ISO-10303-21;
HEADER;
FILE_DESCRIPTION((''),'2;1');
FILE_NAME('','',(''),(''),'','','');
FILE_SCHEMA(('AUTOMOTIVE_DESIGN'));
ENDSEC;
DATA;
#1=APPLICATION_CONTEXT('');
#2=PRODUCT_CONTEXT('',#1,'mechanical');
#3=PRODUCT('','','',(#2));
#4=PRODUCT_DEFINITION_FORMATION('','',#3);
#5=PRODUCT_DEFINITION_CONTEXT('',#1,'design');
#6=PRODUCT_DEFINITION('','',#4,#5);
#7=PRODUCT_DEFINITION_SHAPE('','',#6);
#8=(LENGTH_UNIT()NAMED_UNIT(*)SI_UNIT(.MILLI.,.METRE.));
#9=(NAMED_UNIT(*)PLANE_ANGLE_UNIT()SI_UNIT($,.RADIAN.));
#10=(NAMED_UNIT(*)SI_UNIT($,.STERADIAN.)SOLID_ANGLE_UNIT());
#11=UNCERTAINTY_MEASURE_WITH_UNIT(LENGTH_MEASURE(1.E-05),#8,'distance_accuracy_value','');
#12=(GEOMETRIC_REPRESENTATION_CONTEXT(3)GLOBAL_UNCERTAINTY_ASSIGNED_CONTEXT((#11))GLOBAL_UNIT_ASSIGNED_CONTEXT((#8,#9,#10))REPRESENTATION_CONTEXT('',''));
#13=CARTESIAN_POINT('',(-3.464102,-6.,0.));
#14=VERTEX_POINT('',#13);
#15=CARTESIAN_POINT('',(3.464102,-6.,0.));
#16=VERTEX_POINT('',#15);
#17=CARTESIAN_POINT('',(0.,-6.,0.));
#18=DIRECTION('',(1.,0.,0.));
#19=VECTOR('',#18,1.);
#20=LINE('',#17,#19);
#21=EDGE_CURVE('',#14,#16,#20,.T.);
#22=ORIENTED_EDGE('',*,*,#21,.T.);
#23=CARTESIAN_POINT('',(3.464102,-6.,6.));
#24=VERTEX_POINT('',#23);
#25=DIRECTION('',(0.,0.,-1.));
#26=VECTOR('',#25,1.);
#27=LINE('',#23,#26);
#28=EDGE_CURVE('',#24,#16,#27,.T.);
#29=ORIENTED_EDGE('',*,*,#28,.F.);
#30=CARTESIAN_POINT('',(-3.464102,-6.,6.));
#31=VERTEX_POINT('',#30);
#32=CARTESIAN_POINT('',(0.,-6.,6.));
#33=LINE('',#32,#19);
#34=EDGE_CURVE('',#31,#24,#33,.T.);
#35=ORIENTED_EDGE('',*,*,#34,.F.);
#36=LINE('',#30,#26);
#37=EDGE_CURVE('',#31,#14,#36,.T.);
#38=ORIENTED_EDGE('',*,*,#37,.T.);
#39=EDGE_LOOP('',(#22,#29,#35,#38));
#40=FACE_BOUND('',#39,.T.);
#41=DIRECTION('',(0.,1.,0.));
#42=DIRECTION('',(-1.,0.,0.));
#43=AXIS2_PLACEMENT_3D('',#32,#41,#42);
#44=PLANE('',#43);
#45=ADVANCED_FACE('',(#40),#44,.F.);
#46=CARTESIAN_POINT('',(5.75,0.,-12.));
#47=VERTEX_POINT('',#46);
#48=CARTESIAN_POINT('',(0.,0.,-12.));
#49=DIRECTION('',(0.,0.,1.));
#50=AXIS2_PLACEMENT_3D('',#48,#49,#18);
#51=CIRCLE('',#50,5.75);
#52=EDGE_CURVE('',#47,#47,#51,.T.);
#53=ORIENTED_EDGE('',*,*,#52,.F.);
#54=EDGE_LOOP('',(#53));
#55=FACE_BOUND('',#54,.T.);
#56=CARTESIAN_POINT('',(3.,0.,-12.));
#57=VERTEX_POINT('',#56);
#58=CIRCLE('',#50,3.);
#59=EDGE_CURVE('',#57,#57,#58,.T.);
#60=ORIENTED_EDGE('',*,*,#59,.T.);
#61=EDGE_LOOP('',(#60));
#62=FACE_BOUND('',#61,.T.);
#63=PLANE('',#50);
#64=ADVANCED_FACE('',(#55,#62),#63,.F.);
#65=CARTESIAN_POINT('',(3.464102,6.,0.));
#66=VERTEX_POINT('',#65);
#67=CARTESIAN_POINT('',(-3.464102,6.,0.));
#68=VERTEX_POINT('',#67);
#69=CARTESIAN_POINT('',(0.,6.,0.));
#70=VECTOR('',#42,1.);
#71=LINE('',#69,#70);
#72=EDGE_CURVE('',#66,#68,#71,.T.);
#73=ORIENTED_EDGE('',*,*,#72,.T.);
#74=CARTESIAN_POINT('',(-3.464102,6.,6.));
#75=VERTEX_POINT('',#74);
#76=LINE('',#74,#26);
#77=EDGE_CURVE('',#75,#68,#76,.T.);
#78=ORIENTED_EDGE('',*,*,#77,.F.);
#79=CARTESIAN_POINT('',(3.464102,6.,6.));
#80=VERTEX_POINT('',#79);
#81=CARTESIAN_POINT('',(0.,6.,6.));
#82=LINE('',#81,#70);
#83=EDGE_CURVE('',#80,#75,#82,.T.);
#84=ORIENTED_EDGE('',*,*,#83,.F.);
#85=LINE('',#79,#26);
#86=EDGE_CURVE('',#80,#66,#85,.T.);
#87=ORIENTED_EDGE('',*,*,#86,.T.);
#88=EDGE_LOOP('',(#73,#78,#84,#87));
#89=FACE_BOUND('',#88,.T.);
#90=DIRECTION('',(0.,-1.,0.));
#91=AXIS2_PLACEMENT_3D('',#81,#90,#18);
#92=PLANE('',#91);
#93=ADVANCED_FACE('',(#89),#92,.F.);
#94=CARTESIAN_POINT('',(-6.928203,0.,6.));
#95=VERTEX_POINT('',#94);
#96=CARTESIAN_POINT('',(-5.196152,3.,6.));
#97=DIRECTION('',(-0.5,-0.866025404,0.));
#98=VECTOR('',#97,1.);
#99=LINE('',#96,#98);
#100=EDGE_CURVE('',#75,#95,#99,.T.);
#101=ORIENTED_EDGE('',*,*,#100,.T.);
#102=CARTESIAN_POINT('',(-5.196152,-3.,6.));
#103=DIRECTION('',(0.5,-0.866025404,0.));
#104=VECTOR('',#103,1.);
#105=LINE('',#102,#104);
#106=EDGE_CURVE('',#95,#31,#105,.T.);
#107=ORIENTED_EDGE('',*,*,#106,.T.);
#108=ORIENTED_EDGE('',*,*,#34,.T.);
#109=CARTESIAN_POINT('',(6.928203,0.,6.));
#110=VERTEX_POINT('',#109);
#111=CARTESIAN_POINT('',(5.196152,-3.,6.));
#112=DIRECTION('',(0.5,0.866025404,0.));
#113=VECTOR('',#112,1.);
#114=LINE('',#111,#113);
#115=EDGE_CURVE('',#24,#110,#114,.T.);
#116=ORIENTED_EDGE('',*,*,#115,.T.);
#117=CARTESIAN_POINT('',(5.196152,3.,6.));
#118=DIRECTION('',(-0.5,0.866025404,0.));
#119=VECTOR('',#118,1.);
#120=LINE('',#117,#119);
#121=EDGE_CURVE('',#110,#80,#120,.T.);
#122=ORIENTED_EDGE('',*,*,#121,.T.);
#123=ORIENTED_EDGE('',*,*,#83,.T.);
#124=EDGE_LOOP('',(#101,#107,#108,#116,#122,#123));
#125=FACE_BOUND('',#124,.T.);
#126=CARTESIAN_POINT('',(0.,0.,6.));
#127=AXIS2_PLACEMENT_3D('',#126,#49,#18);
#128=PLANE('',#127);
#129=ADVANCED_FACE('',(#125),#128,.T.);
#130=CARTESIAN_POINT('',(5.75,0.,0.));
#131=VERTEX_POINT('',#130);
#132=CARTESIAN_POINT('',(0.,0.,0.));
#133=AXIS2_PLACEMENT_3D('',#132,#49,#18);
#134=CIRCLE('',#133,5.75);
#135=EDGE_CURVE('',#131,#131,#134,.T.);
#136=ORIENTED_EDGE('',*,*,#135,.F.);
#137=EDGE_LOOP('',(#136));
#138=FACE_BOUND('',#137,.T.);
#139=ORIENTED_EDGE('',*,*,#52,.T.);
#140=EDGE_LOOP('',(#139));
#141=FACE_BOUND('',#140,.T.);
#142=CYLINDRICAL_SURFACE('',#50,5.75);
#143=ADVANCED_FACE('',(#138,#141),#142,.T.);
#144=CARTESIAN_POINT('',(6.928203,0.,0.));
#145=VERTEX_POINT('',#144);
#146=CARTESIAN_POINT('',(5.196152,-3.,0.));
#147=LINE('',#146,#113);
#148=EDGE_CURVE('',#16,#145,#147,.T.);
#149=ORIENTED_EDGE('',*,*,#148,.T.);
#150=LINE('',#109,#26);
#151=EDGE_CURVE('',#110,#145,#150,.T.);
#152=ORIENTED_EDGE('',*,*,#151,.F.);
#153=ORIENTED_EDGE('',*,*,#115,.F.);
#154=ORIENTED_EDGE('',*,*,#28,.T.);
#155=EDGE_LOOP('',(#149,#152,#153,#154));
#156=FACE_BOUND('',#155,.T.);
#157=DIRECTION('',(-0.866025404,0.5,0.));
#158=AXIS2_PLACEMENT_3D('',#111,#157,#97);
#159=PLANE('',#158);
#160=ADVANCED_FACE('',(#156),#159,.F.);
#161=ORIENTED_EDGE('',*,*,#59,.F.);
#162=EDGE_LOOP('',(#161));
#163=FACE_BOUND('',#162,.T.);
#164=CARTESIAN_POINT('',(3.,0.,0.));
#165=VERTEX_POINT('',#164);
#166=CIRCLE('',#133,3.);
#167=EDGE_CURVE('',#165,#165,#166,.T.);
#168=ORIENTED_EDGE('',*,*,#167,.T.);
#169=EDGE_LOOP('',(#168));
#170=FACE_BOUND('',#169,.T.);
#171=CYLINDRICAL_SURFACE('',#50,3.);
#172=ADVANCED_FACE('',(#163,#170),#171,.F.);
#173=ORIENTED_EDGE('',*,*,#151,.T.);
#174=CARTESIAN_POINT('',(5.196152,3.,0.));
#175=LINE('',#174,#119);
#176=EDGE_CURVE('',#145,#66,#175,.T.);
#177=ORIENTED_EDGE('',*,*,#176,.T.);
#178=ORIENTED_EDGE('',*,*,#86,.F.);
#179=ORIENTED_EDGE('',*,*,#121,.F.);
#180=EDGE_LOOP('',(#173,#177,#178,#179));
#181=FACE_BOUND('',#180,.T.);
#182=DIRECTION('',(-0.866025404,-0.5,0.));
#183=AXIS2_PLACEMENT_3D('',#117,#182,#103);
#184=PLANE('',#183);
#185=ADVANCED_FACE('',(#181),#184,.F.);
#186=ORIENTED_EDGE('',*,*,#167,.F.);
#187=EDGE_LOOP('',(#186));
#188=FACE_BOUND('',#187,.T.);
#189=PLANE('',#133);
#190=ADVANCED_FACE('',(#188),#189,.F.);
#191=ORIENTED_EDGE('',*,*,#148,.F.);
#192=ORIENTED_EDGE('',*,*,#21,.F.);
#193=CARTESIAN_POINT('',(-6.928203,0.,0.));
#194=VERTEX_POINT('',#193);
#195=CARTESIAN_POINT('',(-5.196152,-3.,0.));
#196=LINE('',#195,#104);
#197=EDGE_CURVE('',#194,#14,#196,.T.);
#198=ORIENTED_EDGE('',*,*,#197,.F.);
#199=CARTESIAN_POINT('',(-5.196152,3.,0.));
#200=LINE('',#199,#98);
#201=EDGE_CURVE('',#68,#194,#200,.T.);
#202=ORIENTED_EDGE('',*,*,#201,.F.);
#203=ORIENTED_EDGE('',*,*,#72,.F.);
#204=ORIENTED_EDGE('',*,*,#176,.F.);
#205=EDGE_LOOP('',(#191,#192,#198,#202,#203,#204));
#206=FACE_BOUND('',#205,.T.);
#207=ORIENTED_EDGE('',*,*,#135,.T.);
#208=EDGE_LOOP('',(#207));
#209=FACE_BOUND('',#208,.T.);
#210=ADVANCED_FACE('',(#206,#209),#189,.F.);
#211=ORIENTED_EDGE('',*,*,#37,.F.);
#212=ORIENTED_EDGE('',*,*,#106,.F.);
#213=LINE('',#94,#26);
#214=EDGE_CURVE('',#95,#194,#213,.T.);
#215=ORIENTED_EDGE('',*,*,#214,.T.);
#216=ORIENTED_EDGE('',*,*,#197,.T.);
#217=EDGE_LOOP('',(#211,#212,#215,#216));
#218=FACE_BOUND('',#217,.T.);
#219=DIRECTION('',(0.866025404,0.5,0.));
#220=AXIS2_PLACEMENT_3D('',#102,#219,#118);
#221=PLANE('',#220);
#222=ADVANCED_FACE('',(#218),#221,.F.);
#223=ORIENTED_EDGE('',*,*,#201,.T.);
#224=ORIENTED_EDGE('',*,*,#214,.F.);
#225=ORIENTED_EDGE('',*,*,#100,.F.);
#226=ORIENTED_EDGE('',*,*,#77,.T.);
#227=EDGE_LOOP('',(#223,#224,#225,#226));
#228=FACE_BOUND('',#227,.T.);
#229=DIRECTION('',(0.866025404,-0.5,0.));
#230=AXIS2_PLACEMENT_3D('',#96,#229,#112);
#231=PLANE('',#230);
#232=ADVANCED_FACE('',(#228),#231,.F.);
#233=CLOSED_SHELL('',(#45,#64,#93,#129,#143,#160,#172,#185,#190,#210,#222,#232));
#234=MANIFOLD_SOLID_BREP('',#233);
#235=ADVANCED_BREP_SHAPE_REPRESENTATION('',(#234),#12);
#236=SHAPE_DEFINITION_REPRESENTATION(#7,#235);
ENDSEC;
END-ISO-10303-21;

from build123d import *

# Parameters (mm, degrees)
BOSS_EXTRUDE1_DEPTH = 6
SKETCH1_3_R         = 5.75
SKETCH1_3_R_2       = 3
BOSS_EXTRUDE2_DEPTH = 12


with BuildPart() as part:
    # Sketch1 → Boss-Extrude1 (new body)
    with BuildSketch(Plane.XY):
        Polygon((-6.92820323, 0), (-3.464101615, -6), (3.464101615, -6), (6.92820323, 0), (3.464101615, 6), (-3.464101615, 6), align=None)
    extrude(amount=BOSS_EXTRUDE1_DEPTH)

    # Sketch1<3> → Boss-Extrude2 (add)
    with BuildSketch(Plane.XY):
        Circle(SKETCH1_3_R)
        Circle(SKETCH1_3_R_2, mode=Mode.SUBTRACT)
    extrude(amount=-BOSS_EXTRUDE2_DEPTH)


solid = part.part
